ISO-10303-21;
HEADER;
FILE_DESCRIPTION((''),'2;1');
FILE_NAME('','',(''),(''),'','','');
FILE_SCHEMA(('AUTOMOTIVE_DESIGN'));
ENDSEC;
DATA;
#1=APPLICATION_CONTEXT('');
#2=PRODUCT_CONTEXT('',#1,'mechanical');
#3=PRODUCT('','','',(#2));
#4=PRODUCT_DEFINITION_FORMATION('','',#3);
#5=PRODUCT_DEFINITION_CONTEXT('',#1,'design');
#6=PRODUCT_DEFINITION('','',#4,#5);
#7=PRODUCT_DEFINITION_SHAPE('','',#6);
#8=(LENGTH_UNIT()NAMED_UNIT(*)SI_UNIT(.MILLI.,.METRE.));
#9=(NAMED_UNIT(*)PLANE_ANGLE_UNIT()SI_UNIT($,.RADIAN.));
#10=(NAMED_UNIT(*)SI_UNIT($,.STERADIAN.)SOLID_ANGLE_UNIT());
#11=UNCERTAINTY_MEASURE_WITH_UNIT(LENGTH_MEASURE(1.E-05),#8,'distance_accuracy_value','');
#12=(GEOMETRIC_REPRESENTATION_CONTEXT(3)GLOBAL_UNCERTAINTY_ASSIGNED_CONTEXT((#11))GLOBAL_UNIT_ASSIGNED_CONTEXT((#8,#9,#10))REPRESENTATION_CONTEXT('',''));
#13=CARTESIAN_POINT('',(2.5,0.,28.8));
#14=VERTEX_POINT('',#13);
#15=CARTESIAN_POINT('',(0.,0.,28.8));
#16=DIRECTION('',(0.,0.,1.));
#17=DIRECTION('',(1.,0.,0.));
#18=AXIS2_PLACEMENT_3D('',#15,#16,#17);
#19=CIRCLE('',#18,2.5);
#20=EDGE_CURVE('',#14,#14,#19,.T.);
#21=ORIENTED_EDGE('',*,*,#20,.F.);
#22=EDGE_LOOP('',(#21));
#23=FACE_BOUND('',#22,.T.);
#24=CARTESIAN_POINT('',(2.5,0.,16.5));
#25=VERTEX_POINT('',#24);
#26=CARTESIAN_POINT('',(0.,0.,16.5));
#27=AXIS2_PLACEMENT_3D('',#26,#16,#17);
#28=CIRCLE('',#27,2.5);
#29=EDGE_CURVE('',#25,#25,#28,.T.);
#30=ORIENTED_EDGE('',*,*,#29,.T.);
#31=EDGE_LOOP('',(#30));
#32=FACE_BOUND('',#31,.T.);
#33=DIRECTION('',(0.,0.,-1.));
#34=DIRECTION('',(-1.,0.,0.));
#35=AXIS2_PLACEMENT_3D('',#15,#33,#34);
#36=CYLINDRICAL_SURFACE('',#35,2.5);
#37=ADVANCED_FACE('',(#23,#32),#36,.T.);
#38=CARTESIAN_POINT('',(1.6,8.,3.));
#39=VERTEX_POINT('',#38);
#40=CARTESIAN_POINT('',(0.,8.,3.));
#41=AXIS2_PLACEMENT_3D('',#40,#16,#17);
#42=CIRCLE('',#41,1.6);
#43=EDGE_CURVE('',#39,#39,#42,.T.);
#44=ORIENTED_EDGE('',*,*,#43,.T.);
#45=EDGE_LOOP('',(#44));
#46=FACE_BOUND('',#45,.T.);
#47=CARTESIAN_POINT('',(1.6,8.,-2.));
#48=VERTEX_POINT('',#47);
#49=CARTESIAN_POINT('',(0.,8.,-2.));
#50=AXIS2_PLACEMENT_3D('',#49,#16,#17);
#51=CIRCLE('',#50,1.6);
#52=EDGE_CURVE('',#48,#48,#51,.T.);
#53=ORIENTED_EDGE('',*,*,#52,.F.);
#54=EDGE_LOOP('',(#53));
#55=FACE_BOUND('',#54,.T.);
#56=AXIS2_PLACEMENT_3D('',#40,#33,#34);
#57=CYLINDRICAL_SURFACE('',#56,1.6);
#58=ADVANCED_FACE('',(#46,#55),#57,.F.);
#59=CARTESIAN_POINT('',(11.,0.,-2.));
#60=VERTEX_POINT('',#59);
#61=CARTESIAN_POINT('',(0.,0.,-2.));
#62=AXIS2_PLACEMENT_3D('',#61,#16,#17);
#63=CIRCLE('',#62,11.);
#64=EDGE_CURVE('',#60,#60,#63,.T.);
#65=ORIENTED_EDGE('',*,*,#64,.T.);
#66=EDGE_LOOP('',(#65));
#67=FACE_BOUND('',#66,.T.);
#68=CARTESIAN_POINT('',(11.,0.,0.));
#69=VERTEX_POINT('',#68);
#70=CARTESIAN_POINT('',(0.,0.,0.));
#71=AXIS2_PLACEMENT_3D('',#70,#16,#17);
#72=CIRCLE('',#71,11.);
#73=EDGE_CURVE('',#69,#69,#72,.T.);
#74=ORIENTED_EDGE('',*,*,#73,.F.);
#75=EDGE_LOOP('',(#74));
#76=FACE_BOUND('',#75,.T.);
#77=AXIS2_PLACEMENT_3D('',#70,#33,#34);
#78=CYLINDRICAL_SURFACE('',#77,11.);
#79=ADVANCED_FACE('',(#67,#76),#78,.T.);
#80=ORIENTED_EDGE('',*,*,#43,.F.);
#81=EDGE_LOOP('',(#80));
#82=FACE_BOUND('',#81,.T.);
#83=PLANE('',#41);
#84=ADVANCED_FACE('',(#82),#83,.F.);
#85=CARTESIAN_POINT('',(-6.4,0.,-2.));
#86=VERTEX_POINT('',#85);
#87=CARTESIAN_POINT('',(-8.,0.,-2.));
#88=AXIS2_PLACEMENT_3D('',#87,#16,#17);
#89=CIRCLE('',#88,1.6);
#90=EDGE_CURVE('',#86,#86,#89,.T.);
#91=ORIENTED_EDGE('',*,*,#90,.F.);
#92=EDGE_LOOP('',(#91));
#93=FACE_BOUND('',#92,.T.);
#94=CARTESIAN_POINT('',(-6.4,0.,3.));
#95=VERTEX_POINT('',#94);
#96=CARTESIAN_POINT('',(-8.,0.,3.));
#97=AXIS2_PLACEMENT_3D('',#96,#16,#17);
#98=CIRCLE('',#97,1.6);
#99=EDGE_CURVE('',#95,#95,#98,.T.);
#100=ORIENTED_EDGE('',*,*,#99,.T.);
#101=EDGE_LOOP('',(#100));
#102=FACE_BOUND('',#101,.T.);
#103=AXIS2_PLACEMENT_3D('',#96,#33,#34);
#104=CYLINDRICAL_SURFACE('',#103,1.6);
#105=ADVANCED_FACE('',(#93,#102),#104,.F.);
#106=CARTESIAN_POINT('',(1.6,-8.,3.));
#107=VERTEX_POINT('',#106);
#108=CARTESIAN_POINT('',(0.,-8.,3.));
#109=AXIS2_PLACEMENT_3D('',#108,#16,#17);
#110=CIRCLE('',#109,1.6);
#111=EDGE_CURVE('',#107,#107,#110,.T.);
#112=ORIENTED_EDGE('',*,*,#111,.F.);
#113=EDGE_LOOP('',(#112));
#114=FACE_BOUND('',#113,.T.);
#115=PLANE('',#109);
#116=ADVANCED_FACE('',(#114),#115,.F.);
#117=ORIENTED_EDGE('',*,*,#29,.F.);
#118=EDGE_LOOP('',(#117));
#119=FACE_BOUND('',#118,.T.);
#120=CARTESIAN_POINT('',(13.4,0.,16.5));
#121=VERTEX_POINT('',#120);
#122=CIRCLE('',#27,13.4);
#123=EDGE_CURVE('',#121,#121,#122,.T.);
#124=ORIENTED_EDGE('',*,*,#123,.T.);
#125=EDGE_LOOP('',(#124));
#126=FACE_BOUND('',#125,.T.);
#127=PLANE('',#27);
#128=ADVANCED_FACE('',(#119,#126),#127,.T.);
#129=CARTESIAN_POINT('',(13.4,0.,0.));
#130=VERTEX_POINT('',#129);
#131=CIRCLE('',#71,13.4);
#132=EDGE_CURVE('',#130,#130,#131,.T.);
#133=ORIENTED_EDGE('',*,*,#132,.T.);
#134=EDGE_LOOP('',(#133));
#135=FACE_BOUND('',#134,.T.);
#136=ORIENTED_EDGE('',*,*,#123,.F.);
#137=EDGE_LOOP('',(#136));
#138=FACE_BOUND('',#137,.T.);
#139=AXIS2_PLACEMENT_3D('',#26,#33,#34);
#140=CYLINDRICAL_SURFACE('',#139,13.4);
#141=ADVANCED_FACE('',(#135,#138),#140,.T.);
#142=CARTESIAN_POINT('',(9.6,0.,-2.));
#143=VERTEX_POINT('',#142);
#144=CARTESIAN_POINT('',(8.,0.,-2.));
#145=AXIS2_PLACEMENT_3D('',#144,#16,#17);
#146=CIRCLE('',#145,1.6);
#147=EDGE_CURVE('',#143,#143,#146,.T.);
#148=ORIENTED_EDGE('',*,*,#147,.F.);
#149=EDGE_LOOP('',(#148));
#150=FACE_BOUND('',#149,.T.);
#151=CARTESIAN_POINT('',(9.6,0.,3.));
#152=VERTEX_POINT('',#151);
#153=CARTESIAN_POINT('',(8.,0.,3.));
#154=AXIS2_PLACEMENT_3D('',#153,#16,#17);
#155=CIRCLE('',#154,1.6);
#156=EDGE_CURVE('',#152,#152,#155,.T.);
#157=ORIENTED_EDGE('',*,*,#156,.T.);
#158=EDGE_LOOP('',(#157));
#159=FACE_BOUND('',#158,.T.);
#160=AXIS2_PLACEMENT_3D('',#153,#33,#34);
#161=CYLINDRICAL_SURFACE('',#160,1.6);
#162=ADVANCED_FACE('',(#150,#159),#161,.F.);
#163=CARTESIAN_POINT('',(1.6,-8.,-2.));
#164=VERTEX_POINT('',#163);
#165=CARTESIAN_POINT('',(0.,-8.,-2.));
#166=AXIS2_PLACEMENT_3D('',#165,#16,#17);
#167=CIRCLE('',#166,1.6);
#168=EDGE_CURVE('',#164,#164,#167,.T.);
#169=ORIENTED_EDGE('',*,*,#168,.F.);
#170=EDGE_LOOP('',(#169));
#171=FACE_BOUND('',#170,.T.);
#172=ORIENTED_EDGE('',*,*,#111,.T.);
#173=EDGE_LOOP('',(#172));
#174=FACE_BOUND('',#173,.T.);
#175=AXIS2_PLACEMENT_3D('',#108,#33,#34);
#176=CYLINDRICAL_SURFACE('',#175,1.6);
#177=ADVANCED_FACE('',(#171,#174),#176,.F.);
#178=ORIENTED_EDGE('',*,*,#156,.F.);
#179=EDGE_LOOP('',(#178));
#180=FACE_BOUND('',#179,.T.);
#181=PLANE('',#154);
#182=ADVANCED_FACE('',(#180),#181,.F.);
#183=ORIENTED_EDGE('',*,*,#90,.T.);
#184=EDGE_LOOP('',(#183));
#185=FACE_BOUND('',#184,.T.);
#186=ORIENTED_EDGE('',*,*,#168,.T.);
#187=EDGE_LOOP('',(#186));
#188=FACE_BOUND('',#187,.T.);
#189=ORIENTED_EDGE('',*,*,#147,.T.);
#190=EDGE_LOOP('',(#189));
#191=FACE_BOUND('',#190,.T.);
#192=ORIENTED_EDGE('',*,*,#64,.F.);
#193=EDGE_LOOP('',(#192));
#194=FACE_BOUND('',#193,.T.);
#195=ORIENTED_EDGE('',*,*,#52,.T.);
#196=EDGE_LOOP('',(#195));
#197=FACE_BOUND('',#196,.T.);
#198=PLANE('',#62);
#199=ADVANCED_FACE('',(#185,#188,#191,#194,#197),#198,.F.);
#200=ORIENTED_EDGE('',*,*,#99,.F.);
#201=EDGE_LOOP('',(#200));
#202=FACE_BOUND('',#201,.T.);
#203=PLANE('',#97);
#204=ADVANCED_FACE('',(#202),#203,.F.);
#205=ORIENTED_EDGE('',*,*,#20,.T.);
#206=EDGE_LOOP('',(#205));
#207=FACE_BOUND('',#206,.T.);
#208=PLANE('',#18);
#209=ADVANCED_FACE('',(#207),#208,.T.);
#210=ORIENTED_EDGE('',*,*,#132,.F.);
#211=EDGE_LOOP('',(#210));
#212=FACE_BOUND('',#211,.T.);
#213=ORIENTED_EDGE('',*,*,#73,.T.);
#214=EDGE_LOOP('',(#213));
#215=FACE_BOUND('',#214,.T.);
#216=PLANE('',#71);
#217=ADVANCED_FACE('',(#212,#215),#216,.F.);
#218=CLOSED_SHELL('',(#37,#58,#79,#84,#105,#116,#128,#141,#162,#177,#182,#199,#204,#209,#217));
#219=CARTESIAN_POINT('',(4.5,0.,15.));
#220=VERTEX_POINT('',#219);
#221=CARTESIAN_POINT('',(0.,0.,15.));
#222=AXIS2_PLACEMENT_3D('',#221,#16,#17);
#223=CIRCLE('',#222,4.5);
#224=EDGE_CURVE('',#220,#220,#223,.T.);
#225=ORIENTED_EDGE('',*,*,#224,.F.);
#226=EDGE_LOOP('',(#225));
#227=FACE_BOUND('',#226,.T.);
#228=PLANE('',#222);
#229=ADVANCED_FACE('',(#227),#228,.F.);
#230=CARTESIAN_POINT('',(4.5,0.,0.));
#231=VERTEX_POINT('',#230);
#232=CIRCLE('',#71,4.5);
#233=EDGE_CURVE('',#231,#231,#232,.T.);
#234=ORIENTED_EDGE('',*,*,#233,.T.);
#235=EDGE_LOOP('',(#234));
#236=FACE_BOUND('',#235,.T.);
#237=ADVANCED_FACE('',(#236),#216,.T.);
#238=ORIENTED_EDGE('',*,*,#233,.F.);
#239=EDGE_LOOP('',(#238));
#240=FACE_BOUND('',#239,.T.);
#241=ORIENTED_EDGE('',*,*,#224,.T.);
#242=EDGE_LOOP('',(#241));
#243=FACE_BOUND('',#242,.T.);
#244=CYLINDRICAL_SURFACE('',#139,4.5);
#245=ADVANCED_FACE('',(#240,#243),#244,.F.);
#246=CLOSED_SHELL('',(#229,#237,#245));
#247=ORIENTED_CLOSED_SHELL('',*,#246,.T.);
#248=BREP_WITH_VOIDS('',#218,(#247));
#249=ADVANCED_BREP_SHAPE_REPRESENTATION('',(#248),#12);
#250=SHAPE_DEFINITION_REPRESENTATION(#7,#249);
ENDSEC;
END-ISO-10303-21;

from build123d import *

# Parameters (mm, degrees)
SKETCH_1_R        = 13.4
SKETCH_1_R_2      = 4.5
D26P8H18P5_DEPTH  = 16.5
EXTRUDE_START     = 15
SKETCH_2_R        = 13.4
EXTRUDE_292_DEPTH = 1.5
EXTRUDE_START_2   = -2
SKETCH_3_R        = 11
EXTRUDE_347_DEPTH = 2
EXTRUDE_START_3   = 16.5
SKETCH_4_R        = 2.5
EXTRUDE_M5_DEPTH  = 12.3
D16_M3_START      = -2
SKETCH_5_R        = 1.6
D16_M3_DEPTH      = 5


with BuildPart() as part:
    # 草图1 → 钟罩及定子总包络_D26p8H18p5 (new body)
    with BuildSketch(Plane.XY):
        Circle(SKETCH_1_R)
        Circle(SKETCH_1_R_2, mode=Mode.SUBTRACT)
    extrude(amount=D26P8H18P5_DEPTH)

    # 草图2 → Extrude 292 (add)
    with BuildSketch(Plane.XY.offset(EXTRUDE_START)):
        Circle(SKETCH_2_R)
    extrude(amount=EXTRUDE_292_DEPTH)

    # 草图3 → Extrude 347 (add)
    with BuildSketch(Plane.XY.offset(EXTRUDE_START_2)):
        Circle(SKETCH_3_R)
    extrude(amount=EXTRUDE_347_DEPTH)

    # 草图4 → M5桨轴包络 (add)
    with BuildSketch(Plane.XY.offset(EXTRUDE_START_3)):
        Circle(SKETCH_4_R)
    extrude(amount=EXTRUDE_M5_DEPTH)

    # 草图5 → D16分度圆四M3简化安装孔 (cut)
    with BuildSketch(Plane.XY.offset(D16_M3_START)):
        with Locations((-8, 0)):
            Circle(SKETCH_5_R)
        with Locations((0, -8)):
            Circle(SKETCH_5_R)
        with Locations((8, 0)):
            Circle(SKETCH_5_R)
        with Locations((0, 8)):
            Circle(SKETCH_5_R)
    extrude(amount=D16_M3_DEPTH, mode=Mode.SUBTRACT)


solid = part.part
